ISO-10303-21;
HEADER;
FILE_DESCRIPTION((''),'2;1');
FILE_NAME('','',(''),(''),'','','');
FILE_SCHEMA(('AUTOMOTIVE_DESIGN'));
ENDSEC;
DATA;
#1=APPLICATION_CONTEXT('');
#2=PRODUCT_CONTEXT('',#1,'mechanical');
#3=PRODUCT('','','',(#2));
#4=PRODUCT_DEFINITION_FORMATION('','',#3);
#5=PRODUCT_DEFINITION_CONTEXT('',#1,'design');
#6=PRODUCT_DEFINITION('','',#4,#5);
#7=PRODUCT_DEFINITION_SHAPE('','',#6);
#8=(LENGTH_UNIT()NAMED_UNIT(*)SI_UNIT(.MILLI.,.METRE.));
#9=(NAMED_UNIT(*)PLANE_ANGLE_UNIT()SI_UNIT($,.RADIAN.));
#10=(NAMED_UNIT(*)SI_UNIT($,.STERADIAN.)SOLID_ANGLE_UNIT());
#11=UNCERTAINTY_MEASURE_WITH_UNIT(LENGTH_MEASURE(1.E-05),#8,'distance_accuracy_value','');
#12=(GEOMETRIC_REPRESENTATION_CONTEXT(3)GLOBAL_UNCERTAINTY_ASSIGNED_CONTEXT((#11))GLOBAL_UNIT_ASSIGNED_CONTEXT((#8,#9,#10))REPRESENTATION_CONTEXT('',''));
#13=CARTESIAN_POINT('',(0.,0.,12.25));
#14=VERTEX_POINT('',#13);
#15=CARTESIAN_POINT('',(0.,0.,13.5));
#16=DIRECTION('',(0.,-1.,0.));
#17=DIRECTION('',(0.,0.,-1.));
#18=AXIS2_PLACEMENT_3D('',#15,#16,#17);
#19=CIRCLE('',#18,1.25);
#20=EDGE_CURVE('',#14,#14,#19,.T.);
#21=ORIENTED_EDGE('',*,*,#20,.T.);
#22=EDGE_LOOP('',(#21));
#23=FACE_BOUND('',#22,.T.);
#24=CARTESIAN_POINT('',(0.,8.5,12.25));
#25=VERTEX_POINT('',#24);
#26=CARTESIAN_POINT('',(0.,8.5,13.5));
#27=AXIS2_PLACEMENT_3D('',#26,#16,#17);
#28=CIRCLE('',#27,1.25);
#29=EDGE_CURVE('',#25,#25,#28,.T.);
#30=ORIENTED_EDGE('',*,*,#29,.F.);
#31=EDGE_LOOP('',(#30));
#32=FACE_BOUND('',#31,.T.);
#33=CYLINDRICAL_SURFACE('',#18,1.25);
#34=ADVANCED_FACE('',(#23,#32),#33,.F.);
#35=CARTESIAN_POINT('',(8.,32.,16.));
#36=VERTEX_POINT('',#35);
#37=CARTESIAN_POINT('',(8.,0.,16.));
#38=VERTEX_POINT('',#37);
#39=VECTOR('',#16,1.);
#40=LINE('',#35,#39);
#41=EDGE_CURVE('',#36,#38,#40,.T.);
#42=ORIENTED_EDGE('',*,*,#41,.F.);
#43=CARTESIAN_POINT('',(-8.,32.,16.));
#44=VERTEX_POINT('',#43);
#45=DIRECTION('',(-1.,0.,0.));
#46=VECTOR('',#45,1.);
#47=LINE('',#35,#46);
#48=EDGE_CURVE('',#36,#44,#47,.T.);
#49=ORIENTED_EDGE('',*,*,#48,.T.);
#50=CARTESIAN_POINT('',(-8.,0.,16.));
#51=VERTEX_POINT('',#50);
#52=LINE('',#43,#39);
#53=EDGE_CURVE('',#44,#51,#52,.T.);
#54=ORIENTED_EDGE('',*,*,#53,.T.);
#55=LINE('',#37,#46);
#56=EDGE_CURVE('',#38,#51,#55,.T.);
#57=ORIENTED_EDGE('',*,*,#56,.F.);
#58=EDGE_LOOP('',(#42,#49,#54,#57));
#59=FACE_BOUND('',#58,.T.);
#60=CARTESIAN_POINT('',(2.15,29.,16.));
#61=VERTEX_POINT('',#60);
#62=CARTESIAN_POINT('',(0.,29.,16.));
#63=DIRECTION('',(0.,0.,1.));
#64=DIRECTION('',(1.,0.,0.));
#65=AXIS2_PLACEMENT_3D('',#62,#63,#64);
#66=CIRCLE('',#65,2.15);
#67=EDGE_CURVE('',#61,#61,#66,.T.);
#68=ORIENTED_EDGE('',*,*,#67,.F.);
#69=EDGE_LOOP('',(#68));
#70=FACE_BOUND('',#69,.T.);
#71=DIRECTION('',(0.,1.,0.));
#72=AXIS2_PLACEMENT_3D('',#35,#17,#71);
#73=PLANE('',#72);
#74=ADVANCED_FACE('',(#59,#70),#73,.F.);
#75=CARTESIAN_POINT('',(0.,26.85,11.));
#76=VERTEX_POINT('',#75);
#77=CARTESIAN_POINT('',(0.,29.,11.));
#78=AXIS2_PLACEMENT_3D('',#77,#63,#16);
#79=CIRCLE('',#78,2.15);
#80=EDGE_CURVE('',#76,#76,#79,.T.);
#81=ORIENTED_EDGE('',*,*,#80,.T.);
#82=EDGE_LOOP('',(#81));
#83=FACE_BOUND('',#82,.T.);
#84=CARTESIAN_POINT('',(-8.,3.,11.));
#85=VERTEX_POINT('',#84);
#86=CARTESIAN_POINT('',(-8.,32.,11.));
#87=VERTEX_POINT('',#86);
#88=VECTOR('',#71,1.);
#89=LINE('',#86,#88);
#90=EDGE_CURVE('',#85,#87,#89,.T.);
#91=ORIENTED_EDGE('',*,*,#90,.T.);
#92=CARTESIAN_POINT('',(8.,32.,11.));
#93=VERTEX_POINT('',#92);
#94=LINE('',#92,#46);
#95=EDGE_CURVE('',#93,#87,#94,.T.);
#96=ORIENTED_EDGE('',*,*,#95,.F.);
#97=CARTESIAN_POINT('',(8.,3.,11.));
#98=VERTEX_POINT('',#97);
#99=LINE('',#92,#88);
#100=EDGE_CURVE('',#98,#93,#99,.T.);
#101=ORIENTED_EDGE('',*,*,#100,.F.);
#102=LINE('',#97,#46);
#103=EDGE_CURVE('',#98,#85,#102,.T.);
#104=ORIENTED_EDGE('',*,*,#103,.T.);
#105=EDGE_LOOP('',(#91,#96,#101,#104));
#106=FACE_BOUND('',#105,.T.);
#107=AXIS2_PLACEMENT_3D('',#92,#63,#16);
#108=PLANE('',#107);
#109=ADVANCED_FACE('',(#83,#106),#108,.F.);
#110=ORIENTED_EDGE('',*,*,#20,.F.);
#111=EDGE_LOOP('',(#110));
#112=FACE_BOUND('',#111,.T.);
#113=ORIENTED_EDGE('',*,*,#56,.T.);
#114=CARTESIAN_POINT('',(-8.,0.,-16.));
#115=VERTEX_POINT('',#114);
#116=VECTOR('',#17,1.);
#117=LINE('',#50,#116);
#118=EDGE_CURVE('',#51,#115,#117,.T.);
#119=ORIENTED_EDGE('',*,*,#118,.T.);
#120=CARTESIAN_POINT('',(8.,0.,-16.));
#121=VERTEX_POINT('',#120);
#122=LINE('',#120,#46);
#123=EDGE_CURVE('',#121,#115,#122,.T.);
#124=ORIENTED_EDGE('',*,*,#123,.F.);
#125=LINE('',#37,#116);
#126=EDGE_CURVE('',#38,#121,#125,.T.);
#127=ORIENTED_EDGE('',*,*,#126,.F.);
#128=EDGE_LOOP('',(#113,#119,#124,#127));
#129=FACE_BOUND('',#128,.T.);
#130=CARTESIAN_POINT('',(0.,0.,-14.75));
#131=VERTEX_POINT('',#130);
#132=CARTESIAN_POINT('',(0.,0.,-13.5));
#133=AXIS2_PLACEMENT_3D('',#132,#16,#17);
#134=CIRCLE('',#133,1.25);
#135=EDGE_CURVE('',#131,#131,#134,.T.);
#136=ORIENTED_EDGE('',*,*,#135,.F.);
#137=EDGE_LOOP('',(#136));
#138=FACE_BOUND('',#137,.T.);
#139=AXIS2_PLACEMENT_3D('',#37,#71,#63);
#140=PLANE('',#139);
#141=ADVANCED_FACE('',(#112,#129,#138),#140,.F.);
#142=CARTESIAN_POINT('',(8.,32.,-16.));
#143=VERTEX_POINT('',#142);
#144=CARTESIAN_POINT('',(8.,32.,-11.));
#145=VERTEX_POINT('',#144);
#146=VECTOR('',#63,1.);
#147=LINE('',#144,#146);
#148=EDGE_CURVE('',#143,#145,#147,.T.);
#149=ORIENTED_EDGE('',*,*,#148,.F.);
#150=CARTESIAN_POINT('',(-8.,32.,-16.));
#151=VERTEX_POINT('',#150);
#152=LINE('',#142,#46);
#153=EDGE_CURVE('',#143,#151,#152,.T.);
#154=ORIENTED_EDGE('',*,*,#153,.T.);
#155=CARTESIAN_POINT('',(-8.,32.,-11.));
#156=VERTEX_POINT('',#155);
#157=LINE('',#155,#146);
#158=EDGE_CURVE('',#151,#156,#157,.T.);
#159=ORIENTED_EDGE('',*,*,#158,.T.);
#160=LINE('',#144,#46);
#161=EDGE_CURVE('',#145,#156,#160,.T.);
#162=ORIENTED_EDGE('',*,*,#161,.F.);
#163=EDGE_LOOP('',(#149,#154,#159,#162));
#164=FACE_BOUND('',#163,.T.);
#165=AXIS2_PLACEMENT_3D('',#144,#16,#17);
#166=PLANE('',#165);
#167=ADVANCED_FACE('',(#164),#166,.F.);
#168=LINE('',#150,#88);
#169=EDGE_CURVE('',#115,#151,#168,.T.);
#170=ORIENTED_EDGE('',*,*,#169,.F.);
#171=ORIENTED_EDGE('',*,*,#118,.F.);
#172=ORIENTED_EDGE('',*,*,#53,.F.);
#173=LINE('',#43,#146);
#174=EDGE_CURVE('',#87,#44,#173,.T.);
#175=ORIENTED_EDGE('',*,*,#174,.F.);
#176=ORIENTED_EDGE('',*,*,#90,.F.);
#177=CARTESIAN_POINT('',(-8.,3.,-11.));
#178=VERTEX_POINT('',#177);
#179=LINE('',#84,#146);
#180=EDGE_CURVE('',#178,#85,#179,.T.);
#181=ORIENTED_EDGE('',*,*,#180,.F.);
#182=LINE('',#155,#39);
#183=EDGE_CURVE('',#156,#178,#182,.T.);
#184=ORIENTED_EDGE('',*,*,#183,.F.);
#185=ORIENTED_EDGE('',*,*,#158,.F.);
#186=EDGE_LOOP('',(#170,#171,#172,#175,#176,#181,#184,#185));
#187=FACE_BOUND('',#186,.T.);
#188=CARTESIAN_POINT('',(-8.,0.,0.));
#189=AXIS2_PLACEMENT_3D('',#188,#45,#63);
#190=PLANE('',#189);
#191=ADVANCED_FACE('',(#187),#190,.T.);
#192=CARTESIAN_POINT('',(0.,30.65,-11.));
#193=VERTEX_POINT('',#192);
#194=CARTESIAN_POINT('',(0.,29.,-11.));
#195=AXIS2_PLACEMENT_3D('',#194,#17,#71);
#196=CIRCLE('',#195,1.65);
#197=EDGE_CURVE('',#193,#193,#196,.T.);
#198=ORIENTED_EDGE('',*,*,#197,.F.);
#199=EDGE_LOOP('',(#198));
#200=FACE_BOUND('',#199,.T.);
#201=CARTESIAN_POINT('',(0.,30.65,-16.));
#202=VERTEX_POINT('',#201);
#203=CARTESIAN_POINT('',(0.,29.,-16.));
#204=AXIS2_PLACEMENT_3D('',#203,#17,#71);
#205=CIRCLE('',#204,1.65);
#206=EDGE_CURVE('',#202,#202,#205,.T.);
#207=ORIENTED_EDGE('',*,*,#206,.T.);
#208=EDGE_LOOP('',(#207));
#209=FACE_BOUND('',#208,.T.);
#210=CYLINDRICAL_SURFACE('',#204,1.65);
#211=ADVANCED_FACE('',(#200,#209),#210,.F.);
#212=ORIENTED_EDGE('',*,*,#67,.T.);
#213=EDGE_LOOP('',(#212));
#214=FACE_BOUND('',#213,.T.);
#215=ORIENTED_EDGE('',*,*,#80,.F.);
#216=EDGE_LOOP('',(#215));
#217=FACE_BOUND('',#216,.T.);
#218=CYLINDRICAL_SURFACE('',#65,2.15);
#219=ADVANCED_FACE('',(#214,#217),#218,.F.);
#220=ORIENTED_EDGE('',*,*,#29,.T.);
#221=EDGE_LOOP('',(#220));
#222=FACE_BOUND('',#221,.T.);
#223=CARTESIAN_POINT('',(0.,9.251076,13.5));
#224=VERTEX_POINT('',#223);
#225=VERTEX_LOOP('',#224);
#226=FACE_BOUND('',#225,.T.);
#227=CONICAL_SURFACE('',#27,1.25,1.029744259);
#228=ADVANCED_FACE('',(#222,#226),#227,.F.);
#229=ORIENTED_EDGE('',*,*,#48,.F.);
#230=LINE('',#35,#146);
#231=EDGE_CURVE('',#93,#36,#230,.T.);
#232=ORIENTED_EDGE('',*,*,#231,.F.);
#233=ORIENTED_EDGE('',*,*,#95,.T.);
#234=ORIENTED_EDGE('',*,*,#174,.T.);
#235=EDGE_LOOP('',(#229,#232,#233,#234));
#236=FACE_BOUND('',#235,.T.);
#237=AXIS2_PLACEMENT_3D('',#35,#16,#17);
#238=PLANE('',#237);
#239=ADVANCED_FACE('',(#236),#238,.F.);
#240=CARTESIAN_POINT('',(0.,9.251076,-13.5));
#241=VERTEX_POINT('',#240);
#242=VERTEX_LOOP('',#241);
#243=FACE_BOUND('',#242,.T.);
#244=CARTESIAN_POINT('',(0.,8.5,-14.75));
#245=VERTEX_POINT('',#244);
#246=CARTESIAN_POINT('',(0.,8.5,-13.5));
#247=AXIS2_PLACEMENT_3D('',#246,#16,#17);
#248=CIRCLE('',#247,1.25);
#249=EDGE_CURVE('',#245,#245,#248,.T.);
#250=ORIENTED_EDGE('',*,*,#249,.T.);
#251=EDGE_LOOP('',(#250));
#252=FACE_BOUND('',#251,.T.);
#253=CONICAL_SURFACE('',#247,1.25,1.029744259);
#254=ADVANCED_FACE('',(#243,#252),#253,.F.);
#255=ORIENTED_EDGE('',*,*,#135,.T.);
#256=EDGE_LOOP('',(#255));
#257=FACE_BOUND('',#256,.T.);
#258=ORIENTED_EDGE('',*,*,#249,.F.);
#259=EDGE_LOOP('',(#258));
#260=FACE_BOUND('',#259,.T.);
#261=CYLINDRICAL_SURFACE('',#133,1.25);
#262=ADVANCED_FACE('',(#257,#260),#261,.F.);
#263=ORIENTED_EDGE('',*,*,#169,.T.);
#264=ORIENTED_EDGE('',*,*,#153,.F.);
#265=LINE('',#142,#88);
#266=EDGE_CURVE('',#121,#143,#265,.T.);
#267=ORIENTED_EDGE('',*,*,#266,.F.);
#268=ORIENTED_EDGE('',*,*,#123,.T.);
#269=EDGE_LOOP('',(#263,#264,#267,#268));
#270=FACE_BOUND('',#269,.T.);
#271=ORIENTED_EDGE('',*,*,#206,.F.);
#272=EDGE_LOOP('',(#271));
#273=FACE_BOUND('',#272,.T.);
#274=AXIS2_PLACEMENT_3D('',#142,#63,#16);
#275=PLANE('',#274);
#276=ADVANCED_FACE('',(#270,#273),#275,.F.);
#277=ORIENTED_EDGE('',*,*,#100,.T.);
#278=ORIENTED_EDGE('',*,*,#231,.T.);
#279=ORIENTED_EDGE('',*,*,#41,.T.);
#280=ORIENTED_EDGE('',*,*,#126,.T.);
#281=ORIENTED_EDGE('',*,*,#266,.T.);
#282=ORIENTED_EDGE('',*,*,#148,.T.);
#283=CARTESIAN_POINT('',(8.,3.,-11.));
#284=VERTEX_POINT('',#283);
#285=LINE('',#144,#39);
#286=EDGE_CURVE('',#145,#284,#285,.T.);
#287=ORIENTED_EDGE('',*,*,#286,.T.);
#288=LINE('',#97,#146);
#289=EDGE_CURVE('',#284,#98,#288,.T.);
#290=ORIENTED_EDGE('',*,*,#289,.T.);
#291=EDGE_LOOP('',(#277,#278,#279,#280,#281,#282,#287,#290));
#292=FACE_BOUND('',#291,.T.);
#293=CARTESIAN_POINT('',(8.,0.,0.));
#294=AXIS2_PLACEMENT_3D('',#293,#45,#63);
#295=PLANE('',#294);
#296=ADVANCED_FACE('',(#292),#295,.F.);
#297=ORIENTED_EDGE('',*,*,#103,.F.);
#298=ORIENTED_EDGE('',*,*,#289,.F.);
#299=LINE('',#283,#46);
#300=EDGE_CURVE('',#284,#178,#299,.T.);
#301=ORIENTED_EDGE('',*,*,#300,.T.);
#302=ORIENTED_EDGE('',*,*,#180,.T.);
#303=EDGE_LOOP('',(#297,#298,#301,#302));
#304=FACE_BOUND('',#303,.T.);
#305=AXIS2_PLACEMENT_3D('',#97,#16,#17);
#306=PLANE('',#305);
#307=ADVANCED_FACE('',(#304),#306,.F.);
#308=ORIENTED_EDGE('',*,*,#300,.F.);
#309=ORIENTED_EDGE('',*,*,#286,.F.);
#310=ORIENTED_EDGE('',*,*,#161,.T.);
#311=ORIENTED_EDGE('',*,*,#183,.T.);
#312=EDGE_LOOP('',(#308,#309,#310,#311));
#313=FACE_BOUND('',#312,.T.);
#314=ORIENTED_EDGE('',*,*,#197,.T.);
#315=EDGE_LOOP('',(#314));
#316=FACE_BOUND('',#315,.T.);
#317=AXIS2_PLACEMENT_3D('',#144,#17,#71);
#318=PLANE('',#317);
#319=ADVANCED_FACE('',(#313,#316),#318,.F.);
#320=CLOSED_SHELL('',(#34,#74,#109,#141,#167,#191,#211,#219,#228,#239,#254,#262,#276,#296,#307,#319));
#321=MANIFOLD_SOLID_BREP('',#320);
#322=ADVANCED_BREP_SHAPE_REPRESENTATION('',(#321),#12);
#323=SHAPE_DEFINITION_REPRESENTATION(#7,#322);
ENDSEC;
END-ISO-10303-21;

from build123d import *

# Parameters (mm, degrees)
EXTRUDE_1_DEPTH        = 8
HOLE_WIZARD_M4_1_D     = 4.3
HOLE_WIZARD_M4_1_DEPTH = 5
HOLE_WIZARD_M4_1_2_D   = 3.3
HOLE_WIZARD_M3_1_D     = 2.5
HOLE_WIZARD_M3_1_DEPTH = 8.5
HOLE_WIZARD_M3_1_TIP   = 0.751075774


with BuildPart() as part:
    # 草图1 → 凸台-拉伸1 (new, symmetric)
    with BuildSketch(Plane(origin=(0, 0, 0), x_dir=(0, 0, -1), z_dir=(1, 0, 0))):
        Polygon((-11, 32), (-11, 3), (11, 3), (11, 32), (16, 32), (16, 0), (-16, 0), (-16, 32), align=None)
    extrude(amount=EXTRUDE_1_DEPTH, both=True)

    # Hole Wizard M4 _1
    with Locations(Plane.XY.offset(16)):
        with Locations((0, 29)):
            Hole(HOLE_WIZARD_M4_1_D / 2, depth=HOLE_WIZARD_M4_1_DEPTH)

    # Hole Wizard M4 _1 2 (through all)
    with Locations(Plane(origin=(0, 0, -16), x_dir=(-1, 0, 0), z_dir=(0, 0, -1))):
        with Locations((0, 29)):
            Hole(HOLE_WIZARD_M4_1_2_D / 2)

    # M3 螺纹孔1
    with Locations(Plane(origin=(0, 0, 0), x_dir=(-1, 0, 0), z_dir=(0, -1, 0))):
        with Locations((0, 13.5), (0, -13.5)):
            Hole(HOLE_WIZARD_M3_1_D / 2, depth=HOLE_WIZARD_M3_1_DEPTH)
            with Locations((0, 0, -(HOLE_WIZARD_M3_1_DEPTH + HOLE_WIZARD_M3_1_TIP / 2))):  # 118° drill point
                Cone(0, HOLE_WIZARD_M3_1_D / 2, HOLE_WIZARD_M3_1_TIP, mode=Mode.SUBTRACT)


solid = part.part
